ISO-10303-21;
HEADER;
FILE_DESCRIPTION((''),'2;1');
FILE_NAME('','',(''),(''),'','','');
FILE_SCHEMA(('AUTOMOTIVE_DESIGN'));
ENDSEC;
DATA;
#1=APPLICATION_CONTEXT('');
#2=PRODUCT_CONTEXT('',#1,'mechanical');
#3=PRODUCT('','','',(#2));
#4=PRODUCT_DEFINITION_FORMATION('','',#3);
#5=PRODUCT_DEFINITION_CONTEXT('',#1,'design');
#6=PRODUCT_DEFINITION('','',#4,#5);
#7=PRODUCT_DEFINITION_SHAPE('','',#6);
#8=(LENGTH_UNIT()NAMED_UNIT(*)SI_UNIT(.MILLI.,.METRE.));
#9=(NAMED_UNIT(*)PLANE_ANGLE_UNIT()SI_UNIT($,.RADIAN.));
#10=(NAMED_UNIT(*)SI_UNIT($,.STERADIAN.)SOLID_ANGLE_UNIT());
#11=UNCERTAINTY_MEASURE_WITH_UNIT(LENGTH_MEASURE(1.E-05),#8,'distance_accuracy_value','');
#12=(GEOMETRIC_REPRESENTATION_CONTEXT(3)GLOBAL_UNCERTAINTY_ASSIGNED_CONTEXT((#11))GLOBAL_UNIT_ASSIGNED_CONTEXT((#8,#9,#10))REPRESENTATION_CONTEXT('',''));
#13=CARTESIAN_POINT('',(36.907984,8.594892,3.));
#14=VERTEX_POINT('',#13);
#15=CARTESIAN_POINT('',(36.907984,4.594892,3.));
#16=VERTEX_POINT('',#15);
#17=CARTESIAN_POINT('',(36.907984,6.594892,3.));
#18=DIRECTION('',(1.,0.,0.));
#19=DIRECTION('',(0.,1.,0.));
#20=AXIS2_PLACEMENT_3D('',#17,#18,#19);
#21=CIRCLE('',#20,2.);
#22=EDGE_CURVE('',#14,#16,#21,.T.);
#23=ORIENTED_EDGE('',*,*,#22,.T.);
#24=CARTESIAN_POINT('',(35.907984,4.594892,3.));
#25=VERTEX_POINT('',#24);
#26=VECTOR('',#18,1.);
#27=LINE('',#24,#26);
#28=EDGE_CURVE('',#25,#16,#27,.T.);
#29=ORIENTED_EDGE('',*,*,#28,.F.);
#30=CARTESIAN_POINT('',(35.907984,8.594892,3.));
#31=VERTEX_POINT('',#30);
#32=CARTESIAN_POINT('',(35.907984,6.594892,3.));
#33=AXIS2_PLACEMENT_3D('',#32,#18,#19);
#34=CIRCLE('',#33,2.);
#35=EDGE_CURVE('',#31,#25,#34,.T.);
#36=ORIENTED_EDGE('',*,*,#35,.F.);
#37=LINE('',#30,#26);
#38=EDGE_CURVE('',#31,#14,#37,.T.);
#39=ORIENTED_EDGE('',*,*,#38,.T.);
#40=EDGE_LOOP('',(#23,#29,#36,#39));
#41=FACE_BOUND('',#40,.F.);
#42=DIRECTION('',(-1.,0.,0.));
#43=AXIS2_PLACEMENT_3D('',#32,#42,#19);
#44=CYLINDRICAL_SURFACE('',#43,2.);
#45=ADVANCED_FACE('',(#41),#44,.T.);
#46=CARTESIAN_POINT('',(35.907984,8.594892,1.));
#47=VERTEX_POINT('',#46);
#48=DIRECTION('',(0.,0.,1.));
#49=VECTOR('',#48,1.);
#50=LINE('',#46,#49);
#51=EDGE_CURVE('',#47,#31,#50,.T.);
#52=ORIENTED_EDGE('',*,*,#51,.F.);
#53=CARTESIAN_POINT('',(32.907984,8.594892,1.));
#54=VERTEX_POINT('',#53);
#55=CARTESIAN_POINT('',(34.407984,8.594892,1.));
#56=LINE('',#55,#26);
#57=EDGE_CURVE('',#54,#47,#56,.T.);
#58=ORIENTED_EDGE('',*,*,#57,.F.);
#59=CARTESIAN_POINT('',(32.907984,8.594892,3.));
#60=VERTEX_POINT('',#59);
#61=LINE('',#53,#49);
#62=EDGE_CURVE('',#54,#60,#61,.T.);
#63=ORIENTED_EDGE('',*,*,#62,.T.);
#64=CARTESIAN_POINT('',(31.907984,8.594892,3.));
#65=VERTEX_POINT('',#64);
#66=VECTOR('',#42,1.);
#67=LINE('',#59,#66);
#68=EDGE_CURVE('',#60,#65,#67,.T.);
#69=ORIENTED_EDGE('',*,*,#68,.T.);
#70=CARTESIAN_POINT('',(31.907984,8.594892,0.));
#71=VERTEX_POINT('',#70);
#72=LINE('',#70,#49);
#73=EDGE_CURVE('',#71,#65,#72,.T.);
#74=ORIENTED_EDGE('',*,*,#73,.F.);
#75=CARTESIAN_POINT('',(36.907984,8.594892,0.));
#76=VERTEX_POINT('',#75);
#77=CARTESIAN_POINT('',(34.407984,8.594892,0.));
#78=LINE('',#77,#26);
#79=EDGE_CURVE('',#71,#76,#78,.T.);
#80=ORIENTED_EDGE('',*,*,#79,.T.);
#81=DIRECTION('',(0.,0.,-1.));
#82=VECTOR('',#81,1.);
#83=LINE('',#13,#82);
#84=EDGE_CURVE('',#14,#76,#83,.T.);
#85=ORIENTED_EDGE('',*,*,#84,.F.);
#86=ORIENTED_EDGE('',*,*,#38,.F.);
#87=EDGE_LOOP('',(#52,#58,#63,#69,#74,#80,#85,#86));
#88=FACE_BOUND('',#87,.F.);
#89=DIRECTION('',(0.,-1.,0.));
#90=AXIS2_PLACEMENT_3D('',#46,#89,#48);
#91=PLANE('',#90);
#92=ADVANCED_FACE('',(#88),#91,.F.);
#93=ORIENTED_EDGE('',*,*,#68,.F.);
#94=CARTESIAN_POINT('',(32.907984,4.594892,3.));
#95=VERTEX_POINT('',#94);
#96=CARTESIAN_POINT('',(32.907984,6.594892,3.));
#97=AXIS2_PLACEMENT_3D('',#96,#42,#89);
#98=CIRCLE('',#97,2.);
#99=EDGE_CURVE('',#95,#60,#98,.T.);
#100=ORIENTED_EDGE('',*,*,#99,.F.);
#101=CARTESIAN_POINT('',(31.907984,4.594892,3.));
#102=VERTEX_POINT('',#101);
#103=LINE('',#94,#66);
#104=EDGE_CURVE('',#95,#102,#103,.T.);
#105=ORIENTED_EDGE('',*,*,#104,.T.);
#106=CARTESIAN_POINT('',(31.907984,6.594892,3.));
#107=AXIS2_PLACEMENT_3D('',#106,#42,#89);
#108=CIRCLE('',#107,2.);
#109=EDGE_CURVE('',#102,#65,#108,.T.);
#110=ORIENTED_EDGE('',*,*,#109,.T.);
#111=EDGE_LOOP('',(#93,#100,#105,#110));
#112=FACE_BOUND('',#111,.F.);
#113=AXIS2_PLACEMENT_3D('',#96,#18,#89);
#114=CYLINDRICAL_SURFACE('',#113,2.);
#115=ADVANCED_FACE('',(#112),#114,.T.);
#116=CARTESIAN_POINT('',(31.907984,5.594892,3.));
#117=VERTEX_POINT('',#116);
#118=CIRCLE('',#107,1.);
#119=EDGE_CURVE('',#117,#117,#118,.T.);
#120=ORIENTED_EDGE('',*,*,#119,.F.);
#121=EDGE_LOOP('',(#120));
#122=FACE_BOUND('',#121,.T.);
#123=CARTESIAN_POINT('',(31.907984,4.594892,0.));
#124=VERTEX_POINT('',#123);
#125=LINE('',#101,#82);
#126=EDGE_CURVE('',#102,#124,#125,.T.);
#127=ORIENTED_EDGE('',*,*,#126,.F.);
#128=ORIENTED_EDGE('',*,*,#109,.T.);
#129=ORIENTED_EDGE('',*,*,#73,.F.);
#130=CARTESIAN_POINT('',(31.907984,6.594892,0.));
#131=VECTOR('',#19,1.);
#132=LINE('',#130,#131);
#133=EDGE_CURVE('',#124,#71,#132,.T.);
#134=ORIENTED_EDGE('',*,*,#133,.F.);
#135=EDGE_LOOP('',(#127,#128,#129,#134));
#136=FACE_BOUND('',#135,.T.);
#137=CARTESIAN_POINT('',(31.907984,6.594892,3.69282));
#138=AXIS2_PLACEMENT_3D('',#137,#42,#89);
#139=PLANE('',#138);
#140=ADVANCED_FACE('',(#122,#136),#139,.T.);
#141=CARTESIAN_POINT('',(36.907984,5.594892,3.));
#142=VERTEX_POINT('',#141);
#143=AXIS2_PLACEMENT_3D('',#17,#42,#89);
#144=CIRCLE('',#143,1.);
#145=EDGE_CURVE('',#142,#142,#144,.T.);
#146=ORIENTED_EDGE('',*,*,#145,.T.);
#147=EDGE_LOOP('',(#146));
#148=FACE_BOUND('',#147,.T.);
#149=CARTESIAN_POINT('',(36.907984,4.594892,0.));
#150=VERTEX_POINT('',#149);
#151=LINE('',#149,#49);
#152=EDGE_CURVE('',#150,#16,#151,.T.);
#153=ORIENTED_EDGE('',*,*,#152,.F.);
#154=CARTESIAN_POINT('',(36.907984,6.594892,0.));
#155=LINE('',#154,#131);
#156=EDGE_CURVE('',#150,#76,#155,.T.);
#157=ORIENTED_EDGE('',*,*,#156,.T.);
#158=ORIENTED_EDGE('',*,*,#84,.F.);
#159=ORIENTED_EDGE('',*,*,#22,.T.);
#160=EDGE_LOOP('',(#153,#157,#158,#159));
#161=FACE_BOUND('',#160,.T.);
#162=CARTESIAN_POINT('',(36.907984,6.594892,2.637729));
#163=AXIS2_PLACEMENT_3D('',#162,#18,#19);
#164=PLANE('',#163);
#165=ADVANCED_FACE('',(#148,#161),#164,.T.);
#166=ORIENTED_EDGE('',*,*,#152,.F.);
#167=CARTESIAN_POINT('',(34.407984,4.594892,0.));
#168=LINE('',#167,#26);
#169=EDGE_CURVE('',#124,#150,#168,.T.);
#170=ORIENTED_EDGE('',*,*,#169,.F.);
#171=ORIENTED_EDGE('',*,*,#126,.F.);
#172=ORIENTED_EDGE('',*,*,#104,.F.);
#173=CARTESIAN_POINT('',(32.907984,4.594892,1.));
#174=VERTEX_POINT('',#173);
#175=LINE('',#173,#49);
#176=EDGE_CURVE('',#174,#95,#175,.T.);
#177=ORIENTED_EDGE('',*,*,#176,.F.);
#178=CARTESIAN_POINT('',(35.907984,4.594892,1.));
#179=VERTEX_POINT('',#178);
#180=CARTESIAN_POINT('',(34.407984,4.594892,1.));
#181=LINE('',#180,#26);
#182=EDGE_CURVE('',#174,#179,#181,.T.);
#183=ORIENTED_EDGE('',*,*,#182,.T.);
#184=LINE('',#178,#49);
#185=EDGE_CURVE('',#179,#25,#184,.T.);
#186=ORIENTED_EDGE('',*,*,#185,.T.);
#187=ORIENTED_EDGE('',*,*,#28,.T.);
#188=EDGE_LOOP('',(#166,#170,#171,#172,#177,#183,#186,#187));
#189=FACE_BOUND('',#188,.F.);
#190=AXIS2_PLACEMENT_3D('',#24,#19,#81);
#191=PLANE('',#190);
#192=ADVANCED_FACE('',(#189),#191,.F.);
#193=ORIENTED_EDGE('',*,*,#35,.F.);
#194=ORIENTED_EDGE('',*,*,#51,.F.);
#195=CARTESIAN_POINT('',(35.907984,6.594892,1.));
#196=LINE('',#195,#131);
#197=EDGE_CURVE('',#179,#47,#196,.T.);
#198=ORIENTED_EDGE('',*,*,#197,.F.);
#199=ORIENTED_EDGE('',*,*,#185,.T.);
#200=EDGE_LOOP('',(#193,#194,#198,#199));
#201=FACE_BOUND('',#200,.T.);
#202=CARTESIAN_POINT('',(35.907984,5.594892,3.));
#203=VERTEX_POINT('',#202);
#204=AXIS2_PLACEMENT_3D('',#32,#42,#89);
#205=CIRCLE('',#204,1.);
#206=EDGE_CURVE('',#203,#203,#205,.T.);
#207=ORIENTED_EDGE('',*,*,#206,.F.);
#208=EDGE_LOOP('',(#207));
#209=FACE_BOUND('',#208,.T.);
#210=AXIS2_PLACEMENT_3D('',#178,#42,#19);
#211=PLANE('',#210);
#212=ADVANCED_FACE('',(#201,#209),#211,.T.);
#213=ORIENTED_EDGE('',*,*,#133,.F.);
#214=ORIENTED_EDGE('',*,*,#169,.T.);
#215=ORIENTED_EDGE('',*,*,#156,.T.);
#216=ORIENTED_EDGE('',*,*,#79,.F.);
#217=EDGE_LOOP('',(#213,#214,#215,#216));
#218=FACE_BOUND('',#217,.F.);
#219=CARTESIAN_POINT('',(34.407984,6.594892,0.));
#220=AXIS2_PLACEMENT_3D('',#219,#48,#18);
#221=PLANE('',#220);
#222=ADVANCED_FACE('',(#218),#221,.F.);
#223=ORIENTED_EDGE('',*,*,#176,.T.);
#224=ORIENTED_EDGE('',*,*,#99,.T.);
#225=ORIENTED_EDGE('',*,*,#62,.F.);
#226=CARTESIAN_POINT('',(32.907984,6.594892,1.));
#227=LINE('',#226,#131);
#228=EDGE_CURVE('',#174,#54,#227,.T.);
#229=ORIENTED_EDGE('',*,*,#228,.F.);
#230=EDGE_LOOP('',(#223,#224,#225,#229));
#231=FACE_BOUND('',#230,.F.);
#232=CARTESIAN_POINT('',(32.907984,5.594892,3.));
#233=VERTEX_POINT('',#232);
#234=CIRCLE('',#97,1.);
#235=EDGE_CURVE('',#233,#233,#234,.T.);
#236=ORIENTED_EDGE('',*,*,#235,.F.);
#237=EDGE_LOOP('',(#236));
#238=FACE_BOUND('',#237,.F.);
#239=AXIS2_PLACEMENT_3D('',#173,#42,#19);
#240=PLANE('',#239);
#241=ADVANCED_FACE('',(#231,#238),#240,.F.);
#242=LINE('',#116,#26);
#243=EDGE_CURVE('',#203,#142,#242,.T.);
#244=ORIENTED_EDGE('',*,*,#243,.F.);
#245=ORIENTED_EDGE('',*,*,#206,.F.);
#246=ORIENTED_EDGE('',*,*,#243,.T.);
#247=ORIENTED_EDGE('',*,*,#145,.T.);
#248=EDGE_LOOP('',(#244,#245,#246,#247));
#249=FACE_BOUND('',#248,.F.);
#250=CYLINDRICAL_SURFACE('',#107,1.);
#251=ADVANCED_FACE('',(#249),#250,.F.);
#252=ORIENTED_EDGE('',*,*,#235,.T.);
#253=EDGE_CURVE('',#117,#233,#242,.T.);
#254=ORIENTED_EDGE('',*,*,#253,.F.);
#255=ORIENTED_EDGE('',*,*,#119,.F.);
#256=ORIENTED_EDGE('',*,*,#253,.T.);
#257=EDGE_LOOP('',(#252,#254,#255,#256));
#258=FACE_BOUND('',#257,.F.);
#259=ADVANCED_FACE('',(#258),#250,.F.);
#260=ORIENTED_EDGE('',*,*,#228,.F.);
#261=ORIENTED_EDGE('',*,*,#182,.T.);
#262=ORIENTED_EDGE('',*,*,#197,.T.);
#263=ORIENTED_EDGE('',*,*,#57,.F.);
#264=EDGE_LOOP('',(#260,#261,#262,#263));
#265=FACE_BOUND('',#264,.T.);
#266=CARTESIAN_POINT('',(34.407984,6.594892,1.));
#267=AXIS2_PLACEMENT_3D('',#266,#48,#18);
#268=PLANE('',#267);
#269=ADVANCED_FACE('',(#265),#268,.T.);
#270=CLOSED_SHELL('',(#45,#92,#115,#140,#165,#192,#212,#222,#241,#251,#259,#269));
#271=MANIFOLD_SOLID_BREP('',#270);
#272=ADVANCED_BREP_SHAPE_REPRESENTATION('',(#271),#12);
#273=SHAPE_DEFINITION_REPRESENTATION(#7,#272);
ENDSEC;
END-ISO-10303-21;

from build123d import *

# Parameters (mm, degrees)
F0_W      = 5
F0_H      = 4
F1_DEPTH  = 1
F2_W      = 3
F2_H      = 4
F3_DEPTH  = 4
F5_DEPTH  = 1
F7_DEPTH  = 1
F8_W      = 3
F8_H      = 4
F9_DEPTH  = 25
F10_R     = 1
F11_DEPTH = 25


with BuildPart() as f1:
    # F0 (on Top) → F1 (new body)
    with BuildSketch(Plane.XY):
        with Locations((34.4079844654, 6.5948922585)):
            Rectangle(F0_W, F0_H)
    extrude(amount=F1_DEPTH)



with BuildPart() as f3:
    # F2 (on face) → F3 (new body)
    with BuildSketch(Plane.XY.offset(1)):
        with Locations((34.4079844654, 6.5948922585)):
            Rectangle(F2_W, F2_H)
    extrude(amount=F3_DEPTH)


with BuildPart() as f1_1:
    add(f1.part)

    add(f3.part)  # F5 merges F3
    # F4 (on face) → F5 (join)
    with BuildSketch(Plane(origin=(32.9079844654, 0, 0), x_dir=(0, -1, 0), z_dir=(-1, 0, 0))):
        with BuildLine():
            ThreePointArc((-4.5948922585, 3), (-6.5948922585, 5), (-8.5948922585, 3))
            Line((-8.5948922585, 3), (-4.5948922585, 3))
        make_face()
        with BuildLine():
            ThreePointArc((-6.5948922585, 1), (-8.0091058209, 1.5857864376), (-8.5948922585, 3))
            Line((-8.5948922585, 3), (-8.5948922585, 1))
            Line((-8.5948922585, 1), (-6.5948922585, 1))
        make_face()
        with BuildLine():
            Line((-4.5948922585, 3), (-8.5948922585, 3))
            ThreePointArc((-8.5948922585, 3), (-8.0091058209, 1.5857864376), (-6.5948922585, 1))
            ThreePointArc((-6.5948922585, 1), (-5.1806786962, 1.5857864376), (-4.5948922585, 3))
        make_face()
        with BuildLine():
            Line((-4.5948922585, 1), (-4.5948922585, 3))
            ThreePointArc((-4.5948922585, 3), (-5.1806786962, 1.5857864376), (-6.5948922585, 1))
            Line((-6.5948922585, 1), (-4.5948922585, 1))
        make_face()
    extrude(amount=F5_DEPTH)

    # F6 (on face) → F7 (join)
    with BuildSketch(Plane.YZ.offset(35.9079844654)):
        with BuildLine():
            ThreePointArc((8.5948922585, 3), (6.5948922585, 5), (4.5948922585, 3))
            Line((4.5948922585, 3), (4.5948922585, 1))
            Line((4.5948922585, 1), (8.5948922585, 1))
            Line((8.5948922585, 1), (8.5948922585, 3))
        make_face()
    extrude(amount=F7_DEPTH)

    # F8 (on face) → F9 (cut)
    with BuildSketch(Plane.XY.offset(1)):
        with Locations((34.4079844654, 6.5948922585)):
            Rectangle(F8_W, F8_H)
    extrude(amount=F9_DEPTH, mode=Mode.SUBTRACT)

    # F10 (on face) → F11 (cut)
    with BuildSketch(Plane(origin=(31.9079844654, 0, 0), x_dir=(0, -1, 0), z_dir=(-1, 0, 0))):
        with Locations((-6.5948922585, 3)):
            Circle(F10_R)
    extrude(amount=-F11_DEPTH, mode=Mode.SUBTRACT)


solid = f1_1.part
